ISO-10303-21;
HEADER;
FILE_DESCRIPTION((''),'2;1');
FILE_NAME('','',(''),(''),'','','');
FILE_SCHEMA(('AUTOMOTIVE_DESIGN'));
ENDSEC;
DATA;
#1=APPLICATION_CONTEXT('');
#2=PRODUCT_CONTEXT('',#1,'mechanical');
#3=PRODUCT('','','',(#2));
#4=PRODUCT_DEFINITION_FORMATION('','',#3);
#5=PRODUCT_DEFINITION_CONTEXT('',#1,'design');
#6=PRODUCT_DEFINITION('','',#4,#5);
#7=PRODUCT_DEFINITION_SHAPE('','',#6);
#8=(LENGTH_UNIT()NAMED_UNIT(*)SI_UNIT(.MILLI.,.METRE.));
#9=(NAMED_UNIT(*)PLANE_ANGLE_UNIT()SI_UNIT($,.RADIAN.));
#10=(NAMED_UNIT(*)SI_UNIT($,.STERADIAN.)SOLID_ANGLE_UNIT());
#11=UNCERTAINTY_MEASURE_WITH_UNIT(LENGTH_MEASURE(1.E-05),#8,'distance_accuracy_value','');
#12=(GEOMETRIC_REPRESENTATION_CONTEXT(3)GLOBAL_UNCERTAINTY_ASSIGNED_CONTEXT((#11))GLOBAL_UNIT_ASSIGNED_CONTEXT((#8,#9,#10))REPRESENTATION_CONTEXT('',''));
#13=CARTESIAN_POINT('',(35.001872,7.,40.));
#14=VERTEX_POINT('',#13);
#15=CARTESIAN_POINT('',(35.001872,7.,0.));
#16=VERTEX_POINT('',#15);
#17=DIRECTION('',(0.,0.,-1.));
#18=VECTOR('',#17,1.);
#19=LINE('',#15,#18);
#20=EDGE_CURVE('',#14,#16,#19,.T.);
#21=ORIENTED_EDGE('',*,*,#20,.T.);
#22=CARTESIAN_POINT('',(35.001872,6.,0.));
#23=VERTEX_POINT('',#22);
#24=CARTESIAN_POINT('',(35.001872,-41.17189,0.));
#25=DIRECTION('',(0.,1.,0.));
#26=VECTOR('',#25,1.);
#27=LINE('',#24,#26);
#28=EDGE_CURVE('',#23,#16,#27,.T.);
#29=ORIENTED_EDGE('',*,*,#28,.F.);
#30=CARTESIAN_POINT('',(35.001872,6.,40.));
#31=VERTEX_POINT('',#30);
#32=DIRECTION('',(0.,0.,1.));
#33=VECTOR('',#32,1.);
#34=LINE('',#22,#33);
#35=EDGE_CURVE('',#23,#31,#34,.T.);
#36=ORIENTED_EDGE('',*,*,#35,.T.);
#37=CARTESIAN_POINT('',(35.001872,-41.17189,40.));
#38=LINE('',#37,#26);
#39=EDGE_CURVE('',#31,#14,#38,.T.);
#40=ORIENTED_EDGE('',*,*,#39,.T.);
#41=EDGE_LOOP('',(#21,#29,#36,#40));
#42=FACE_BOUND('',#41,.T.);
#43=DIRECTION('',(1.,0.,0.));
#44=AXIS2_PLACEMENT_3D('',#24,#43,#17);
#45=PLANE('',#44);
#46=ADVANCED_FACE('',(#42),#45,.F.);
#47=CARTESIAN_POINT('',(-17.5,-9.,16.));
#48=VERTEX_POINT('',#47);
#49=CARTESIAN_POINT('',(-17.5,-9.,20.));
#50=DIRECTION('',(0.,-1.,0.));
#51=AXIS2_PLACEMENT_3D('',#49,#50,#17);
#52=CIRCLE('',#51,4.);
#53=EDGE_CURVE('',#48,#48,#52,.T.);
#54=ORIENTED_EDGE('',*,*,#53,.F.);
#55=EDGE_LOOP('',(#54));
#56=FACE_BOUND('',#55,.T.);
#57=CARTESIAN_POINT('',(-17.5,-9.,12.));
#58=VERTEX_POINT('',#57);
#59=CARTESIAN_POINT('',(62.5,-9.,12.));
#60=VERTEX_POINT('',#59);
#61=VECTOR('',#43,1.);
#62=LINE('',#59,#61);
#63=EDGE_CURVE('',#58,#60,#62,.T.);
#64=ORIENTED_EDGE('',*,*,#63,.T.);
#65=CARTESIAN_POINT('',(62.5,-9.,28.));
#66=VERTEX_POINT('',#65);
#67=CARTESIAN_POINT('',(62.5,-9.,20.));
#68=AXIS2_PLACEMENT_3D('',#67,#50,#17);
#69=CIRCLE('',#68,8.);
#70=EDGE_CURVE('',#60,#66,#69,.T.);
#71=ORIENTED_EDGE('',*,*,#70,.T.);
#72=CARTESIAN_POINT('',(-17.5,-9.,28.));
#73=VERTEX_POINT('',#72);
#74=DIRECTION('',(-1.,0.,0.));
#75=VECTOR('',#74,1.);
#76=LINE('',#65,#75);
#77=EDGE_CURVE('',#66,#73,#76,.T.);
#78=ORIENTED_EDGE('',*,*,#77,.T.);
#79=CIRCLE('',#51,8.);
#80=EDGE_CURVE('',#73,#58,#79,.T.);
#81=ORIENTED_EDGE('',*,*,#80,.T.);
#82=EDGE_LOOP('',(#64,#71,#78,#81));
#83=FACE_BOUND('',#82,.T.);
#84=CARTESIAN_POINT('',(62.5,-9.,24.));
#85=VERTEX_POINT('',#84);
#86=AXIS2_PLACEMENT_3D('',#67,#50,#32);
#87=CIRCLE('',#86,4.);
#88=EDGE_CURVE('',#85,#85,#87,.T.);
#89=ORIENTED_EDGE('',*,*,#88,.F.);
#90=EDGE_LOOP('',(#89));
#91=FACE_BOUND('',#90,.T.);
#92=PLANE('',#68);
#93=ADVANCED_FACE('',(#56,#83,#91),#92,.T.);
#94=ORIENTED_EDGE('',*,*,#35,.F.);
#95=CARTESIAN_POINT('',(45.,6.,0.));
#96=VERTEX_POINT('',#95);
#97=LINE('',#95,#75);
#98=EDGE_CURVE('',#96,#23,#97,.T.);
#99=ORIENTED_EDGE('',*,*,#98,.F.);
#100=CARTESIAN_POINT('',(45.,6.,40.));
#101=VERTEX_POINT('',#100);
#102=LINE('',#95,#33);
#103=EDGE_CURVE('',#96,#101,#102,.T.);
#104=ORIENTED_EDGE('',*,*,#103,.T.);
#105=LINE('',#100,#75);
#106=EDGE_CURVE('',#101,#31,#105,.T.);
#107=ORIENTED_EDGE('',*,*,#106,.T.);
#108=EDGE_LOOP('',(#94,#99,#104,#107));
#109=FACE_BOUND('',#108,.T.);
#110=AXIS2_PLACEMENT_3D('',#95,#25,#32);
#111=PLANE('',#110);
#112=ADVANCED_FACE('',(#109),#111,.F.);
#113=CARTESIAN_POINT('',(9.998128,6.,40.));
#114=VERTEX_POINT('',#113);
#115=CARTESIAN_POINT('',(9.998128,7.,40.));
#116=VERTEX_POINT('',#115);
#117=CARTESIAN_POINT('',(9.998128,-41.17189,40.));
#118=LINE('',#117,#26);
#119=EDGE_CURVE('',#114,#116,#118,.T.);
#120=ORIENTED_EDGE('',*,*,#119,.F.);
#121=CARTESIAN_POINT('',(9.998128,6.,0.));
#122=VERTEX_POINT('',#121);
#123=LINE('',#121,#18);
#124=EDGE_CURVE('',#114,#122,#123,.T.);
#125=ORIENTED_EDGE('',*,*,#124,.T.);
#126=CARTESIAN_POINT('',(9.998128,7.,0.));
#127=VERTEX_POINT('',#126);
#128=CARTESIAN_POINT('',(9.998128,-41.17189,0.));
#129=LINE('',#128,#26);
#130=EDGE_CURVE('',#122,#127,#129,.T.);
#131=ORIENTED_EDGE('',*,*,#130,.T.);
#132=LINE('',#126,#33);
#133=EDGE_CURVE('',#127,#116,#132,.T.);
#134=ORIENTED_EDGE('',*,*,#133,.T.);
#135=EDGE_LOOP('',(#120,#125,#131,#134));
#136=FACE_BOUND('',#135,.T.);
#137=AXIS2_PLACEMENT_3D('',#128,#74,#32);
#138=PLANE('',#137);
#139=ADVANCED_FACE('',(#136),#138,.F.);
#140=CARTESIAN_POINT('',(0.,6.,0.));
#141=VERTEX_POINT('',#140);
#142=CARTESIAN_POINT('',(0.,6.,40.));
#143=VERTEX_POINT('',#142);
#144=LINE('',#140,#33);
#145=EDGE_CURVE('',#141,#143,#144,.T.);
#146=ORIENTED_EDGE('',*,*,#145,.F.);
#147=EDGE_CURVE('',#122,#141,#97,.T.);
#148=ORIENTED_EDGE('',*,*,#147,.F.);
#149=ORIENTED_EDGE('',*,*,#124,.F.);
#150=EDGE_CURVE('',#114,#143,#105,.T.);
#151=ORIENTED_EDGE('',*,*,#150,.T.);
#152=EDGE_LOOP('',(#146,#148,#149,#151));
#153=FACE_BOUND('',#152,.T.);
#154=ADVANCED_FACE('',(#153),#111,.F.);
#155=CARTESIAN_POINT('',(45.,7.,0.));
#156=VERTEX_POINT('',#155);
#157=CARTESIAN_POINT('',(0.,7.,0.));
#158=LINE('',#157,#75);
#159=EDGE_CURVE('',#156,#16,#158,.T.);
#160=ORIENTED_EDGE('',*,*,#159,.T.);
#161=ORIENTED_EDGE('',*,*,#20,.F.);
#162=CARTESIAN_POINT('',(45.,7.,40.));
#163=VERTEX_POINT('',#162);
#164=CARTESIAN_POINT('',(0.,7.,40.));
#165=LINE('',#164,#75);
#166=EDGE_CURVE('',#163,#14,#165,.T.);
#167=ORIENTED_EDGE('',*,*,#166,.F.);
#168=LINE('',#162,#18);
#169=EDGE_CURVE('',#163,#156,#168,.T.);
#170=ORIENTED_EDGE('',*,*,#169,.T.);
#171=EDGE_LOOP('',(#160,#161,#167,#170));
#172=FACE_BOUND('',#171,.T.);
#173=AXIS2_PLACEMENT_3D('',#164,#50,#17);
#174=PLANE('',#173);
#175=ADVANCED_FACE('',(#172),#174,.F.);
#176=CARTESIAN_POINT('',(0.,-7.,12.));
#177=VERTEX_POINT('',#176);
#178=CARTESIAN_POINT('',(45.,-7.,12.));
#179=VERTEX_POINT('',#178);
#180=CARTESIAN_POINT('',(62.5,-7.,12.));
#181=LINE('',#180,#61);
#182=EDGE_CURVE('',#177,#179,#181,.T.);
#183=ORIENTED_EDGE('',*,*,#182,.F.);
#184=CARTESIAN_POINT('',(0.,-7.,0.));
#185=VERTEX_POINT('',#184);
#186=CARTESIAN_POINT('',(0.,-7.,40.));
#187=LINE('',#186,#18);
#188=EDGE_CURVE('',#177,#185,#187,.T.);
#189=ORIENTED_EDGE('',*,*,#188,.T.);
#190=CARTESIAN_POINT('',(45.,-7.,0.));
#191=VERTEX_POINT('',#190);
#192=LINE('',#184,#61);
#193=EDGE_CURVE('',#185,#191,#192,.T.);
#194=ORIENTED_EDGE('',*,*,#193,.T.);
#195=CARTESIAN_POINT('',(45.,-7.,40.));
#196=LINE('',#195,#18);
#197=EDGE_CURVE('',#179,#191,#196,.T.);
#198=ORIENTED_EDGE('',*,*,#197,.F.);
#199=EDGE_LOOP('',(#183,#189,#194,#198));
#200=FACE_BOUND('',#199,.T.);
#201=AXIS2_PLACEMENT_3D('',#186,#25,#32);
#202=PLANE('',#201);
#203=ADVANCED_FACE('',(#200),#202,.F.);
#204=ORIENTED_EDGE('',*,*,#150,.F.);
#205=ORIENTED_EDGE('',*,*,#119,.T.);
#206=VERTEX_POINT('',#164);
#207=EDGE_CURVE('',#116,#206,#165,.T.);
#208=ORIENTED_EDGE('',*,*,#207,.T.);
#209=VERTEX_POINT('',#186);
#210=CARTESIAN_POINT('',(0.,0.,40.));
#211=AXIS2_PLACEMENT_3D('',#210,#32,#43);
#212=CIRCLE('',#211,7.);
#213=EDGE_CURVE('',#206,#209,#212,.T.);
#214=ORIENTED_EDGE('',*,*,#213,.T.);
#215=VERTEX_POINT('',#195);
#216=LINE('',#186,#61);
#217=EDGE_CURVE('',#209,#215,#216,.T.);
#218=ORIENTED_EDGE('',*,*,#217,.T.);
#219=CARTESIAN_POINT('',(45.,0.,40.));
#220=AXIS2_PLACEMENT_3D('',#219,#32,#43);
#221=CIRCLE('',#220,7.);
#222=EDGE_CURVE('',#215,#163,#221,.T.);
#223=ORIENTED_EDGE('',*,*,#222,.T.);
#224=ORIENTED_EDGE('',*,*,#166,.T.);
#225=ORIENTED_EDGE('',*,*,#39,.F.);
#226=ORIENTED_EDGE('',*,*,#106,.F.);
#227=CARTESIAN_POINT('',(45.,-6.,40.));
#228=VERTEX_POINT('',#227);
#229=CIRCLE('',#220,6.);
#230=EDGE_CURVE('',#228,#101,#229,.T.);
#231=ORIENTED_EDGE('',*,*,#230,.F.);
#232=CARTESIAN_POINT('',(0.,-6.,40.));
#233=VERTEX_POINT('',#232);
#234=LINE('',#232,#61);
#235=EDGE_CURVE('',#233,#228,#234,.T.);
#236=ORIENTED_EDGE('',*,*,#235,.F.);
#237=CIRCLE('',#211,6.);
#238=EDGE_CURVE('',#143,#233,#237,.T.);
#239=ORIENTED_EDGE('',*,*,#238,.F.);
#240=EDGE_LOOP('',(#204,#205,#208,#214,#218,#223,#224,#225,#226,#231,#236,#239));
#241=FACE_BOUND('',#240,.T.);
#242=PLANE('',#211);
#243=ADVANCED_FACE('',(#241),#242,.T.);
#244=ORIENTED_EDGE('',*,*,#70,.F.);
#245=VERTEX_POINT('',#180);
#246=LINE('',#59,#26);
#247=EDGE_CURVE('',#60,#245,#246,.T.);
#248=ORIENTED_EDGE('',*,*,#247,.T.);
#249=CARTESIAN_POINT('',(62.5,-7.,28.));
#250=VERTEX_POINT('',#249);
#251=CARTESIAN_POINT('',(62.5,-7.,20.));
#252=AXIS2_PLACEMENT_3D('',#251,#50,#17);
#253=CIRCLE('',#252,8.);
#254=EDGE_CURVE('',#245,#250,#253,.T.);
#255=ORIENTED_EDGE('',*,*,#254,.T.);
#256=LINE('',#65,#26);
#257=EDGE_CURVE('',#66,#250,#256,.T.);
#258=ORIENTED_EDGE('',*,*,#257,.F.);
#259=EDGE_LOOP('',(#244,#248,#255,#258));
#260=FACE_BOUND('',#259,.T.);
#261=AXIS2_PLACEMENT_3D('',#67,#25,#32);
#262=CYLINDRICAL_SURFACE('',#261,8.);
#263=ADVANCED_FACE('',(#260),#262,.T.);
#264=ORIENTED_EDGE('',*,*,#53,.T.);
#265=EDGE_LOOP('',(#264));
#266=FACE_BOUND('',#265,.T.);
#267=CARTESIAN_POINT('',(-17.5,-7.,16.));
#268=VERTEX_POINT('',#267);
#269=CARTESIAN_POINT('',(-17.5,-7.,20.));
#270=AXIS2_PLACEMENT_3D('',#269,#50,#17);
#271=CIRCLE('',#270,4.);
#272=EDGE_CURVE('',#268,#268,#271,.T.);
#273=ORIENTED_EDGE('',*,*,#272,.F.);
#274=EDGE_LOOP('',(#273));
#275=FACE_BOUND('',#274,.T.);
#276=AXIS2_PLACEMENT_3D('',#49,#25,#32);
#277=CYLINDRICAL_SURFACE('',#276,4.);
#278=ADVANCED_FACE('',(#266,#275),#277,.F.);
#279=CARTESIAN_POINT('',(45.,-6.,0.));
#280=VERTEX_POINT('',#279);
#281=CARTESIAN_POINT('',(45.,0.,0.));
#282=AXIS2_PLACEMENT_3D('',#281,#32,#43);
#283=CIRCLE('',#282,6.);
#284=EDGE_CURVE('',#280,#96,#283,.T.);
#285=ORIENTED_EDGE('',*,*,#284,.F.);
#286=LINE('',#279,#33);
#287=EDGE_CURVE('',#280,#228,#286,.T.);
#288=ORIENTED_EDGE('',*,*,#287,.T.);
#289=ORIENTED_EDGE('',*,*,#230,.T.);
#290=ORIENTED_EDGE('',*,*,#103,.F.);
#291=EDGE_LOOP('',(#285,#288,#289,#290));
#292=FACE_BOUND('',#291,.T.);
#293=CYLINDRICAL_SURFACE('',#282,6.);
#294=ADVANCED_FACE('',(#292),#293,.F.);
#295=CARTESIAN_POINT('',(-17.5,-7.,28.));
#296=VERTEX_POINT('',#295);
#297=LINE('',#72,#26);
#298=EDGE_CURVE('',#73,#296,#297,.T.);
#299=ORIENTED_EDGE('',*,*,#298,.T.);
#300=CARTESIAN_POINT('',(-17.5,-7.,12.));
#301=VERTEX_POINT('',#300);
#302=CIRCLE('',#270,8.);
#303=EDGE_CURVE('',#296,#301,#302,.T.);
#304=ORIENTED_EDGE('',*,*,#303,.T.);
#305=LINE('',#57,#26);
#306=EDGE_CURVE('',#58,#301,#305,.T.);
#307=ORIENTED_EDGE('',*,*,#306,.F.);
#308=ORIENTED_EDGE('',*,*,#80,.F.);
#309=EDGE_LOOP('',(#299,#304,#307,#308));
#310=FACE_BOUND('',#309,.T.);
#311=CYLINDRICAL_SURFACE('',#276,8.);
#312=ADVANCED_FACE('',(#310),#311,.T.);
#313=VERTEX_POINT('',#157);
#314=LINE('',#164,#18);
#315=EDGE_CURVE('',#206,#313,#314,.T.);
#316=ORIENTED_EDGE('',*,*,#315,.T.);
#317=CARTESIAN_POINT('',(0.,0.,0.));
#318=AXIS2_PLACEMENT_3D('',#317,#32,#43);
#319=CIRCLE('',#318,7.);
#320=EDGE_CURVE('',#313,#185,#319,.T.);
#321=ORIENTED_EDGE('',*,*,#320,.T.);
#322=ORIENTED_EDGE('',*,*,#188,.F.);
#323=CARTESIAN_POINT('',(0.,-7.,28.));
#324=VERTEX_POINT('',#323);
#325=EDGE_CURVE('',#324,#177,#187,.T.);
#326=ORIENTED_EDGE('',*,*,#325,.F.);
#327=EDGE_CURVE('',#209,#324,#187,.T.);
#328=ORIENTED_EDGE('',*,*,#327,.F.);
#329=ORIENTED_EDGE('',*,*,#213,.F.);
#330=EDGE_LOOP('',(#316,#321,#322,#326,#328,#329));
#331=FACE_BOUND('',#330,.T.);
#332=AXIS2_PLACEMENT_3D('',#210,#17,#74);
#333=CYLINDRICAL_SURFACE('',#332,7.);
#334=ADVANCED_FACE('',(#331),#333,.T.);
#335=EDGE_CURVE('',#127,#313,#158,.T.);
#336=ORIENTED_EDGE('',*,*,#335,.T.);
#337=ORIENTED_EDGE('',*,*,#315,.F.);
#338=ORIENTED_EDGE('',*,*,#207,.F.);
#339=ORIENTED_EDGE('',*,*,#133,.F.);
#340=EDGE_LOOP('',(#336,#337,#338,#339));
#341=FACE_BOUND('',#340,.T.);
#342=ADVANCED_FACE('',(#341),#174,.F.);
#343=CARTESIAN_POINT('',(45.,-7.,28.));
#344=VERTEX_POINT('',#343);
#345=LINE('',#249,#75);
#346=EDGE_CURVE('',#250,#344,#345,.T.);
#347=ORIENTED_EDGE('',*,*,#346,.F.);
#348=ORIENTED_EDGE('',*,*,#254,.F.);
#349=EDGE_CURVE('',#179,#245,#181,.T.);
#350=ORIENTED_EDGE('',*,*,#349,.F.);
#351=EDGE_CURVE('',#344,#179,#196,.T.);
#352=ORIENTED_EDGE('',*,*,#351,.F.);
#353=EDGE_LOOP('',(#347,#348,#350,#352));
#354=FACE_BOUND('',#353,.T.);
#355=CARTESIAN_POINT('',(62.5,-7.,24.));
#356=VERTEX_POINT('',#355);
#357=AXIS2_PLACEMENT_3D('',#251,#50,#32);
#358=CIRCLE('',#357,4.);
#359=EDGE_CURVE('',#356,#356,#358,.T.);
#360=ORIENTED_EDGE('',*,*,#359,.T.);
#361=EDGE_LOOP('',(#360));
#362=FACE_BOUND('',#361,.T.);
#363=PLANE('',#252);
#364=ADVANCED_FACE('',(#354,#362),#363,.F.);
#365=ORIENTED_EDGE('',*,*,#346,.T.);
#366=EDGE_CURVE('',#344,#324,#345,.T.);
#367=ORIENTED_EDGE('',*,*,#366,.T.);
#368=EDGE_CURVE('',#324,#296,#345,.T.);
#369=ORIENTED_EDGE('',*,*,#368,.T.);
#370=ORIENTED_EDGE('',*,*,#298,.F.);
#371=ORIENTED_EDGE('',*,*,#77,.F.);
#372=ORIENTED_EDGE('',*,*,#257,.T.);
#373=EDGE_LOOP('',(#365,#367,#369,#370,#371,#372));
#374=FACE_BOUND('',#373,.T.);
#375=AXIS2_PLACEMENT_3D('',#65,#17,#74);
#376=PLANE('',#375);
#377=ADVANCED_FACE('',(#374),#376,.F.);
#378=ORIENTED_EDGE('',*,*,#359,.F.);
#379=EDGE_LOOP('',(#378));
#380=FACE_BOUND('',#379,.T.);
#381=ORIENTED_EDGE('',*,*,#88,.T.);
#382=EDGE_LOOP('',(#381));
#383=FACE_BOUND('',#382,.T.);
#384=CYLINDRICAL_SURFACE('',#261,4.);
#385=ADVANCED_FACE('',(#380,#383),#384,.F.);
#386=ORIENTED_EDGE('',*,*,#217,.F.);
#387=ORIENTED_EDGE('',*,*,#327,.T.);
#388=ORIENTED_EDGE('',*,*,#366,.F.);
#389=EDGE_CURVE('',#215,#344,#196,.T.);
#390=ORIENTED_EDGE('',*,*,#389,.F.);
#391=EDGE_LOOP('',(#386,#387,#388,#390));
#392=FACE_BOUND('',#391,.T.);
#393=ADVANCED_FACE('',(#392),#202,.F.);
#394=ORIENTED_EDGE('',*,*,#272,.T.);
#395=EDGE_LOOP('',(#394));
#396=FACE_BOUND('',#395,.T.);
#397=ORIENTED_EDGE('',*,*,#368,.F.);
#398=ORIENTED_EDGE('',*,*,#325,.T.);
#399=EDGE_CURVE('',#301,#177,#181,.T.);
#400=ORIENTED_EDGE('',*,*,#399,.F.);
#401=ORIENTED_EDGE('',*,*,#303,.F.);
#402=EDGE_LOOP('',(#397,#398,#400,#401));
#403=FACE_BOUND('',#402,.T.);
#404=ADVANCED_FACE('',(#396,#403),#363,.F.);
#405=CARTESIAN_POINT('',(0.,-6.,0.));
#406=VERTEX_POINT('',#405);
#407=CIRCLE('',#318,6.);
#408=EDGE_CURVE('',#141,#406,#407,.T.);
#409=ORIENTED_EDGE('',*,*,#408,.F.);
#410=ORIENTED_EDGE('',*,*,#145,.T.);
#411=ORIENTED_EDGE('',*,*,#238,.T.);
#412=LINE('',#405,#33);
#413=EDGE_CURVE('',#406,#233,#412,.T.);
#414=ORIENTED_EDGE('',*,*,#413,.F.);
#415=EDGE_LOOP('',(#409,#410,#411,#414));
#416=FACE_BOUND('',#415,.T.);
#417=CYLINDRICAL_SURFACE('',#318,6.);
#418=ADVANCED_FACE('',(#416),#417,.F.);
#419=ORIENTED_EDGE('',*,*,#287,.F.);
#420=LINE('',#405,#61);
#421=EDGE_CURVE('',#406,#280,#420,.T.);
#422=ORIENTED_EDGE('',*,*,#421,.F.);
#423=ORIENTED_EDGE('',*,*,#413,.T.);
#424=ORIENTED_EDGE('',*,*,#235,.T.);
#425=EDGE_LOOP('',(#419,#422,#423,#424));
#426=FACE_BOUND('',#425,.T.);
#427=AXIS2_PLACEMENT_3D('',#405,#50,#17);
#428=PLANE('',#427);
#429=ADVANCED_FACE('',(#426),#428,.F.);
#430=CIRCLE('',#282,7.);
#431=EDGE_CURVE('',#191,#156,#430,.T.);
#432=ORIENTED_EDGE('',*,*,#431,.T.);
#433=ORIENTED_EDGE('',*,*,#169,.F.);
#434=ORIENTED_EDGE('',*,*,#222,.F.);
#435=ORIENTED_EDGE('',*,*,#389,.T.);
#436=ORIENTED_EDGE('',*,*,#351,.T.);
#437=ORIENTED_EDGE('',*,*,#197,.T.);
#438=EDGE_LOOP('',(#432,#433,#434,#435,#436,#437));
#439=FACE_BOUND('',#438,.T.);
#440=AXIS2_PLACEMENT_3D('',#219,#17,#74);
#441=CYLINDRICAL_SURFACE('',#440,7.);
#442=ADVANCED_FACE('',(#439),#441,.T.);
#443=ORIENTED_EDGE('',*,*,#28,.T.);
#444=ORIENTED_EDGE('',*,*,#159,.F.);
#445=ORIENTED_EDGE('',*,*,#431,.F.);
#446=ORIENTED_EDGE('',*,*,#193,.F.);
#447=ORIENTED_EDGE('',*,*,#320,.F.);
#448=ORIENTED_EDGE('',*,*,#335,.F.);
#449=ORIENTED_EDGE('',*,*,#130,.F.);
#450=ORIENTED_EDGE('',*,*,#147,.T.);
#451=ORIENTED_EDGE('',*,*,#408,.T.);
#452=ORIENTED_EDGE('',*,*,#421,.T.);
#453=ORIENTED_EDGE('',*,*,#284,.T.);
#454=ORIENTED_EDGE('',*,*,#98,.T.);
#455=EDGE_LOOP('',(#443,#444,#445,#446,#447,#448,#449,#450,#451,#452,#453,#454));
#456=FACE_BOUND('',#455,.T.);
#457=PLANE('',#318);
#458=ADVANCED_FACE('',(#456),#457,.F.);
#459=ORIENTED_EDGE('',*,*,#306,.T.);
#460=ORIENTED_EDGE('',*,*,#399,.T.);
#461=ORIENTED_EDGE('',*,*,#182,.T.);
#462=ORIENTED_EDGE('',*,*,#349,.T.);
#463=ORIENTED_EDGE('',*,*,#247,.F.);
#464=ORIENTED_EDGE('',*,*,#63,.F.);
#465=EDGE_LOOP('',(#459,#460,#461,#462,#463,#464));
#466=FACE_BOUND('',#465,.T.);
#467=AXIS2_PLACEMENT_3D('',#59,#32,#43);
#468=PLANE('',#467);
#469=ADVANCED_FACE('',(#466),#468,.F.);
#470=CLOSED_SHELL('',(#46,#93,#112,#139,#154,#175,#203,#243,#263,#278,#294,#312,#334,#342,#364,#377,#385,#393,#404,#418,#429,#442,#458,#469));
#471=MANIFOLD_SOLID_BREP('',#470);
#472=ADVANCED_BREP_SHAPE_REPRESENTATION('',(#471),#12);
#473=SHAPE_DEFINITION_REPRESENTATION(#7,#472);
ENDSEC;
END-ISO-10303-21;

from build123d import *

# Parameters (mm, degrees)
BOSS_EXTRU_1_DEPTH      = 40
ENL_V_MAT_EXTRU_1_DEPTH = 66.977268813
ESQUISSE3_W             = 25.003743198
ESQUISSE3_H             = 40
ENL_V_MAT_EXTRU_2_DEPTH = 1
ESQUISSE4_R             = 4
BOSS_EXTRU_2_DEPTH      = 2


with BuildPart() as part:
    # Esquisse1 → Boss.-Extru.1 (new body)
    with BuildSketch(Plane.XY):
        with BuildLine():
            Line((0, 7), (45, 7))
            ThreePointArc((45, 7), (52, 0), (45, -7))
            Line((45, -7), (0, -7))
            ThreePointArc((0, -7), (-7, 0), (0, 7))
        make_face()
    extrude(amount=BOSS_EXTRU_1_DEPTH)

    # Esquisse2 → Enlèv. mat.-Extru.1 (cut, through all)
    with BuildSketch(Plane.XY.offset(40)):
        with BuildLine():
            Line((0, -6), (45, -6))
            ThreePointArc((45, -6), (51, 0), (45, 6))
            Line((45, 6), (0, 6))
            ThreePointArc((0, 6), (-6, 0), (0, -6))
        make_face()
    extrude(amount=-ENL_V_MAT_EXTRU_1_DEPTH, mode=Mode.SUBTRACT)

    # Esquisse3 → Enlèv. mat.-Extru.2 (cut)
    with BuildSketch(Plane(origin=(0, 7, 0), x_dir=(1, 0, 0), z_dir=(0, 1, 0))):
        with Locations((22.5, -20)):
            Rectangle(ESQUISSE3_W, ESQUISSE3_H)
    extrude(amount=-ENL_V_MAT_EXTRU_2_DEPTH, mode=Mode.SUBTRACT)

    # Esquisse4 → Boss.-Extru.2 (add)
    with BuildSketch(Plane(origin=(0, -7, 0), x_dir=(-1, 0, 0), z_dir=(0, -1, 0))):
        with BuildLine():
            Line((-62.5, -12), (17.5, -12))
            ThreePointArc((17.5, -12), (25.5, -20), (17.5, -28))
            Line((17.5, -28), (-62.5, -28))
            ThreePointArc((-62.5, -28), (-70.5, -20), (-62.5, -12))
        make_face()
        with Locations(Location((17.5, -20, 0), (0, 0, 90))):
            Circle(ESQUISSE4_R, mode=Mode.SUBTRACT)
        with Locations(Location((-62.5, -20, 0), (0, 0, 270))):
            Circle(ESQUISSE4_R, mode=Mode.SUBTRACT)
    extrude(amount=BOSS_EXTRU_2_DEPTH)


solid = part.part
